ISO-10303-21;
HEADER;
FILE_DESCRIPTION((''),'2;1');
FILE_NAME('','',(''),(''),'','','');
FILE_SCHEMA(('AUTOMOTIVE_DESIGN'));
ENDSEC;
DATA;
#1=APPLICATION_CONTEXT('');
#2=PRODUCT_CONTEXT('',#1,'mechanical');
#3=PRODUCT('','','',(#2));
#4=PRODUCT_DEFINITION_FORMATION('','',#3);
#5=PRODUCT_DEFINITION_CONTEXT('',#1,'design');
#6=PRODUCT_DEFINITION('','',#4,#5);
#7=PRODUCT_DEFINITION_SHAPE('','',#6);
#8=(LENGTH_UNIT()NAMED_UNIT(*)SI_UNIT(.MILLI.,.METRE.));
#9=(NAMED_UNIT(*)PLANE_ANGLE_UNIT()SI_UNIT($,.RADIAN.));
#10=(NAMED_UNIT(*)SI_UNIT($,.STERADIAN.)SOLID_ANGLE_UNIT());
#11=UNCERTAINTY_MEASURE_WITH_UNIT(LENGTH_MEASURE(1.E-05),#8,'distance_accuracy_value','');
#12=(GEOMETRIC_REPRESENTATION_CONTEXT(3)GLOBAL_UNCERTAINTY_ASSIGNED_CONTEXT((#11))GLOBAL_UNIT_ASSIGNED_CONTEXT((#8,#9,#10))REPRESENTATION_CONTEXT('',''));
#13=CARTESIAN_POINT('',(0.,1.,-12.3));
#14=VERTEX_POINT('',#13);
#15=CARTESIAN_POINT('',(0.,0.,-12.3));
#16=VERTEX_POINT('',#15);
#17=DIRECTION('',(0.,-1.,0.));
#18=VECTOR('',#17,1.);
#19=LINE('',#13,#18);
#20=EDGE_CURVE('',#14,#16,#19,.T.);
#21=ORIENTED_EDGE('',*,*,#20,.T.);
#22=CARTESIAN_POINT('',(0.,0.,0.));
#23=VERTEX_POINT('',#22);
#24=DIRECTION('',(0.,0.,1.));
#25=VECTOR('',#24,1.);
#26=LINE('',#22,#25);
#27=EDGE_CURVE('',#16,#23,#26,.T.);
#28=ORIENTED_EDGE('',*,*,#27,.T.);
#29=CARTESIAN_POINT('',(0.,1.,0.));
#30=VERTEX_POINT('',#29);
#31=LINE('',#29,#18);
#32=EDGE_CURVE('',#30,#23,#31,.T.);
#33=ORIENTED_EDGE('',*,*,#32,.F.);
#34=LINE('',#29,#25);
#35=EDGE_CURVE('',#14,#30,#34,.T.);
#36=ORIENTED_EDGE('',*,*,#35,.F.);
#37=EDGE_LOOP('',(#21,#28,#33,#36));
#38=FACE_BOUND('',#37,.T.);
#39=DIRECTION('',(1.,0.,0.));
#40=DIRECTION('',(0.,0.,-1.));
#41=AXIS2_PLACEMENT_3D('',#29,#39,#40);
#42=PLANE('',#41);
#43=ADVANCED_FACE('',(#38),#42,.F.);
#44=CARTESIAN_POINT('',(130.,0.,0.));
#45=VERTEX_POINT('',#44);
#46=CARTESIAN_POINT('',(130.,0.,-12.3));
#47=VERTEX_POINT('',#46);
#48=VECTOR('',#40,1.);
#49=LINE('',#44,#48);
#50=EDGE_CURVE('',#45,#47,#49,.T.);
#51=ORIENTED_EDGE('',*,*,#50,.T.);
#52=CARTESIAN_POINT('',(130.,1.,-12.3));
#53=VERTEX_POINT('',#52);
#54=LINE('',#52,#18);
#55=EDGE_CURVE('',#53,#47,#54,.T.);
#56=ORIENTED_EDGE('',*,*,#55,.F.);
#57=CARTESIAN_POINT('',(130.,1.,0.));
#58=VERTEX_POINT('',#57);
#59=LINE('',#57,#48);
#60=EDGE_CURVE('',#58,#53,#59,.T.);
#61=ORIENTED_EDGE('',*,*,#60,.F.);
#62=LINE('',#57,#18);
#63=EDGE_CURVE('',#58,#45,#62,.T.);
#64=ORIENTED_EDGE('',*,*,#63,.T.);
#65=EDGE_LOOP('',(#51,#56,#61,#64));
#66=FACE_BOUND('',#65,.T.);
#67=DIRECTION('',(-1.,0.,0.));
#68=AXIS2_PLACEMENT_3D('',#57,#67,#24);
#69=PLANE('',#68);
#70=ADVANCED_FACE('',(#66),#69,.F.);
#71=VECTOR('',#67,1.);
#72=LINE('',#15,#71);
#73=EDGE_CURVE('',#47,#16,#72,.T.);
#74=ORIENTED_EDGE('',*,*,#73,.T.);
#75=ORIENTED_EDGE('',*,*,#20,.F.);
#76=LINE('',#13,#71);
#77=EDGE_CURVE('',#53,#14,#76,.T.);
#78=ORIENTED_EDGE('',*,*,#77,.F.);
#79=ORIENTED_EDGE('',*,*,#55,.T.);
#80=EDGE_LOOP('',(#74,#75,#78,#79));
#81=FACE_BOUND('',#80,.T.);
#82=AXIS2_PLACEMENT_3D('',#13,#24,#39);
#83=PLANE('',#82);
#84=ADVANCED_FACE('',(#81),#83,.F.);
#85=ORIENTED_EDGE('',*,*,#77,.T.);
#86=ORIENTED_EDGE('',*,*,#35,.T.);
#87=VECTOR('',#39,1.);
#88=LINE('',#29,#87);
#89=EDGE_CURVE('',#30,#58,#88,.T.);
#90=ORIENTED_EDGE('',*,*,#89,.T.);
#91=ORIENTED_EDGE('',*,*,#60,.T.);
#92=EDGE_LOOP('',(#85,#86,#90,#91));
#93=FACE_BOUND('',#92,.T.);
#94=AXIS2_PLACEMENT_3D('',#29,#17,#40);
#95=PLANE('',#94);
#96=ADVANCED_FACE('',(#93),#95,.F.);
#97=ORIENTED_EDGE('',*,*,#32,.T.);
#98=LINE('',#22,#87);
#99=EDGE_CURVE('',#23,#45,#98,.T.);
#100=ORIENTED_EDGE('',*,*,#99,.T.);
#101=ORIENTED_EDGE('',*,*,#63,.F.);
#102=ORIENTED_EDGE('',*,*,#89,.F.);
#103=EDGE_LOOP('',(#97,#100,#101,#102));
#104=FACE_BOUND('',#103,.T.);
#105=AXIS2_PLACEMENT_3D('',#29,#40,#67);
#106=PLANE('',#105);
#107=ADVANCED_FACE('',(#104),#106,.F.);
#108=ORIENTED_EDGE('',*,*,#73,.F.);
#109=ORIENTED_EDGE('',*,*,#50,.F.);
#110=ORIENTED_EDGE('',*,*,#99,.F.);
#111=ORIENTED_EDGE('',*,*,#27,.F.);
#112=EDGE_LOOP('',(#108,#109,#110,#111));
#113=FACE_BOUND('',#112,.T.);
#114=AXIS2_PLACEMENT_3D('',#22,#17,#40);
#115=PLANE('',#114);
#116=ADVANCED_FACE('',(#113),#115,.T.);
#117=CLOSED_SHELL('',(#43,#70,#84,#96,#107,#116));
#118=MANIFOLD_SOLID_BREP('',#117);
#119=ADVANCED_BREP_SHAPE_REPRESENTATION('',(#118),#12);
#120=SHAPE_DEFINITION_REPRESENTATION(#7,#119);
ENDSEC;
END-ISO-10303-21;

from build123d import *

# Parameters (mm, degrees)
SKETCH1_W           = 130
SKETCH1_H           = 12.3
BOSS_EXTRUDE1_DEPTH = 1


with BuildPart() as part:
    # Sketch1 → Boss-Extrude1 (new body)
    with BuildSketch(Plane(origin=(0, 0, 0), x_dir=(1, 0, 0), z_dir=(0, 1, 0))):
        with Locations((65, 6.15)):
            Rectangle(SKETCH1_W, SKETCH1_H)
    extrude(amount=BOSS_EXTRUDE1_DEPTH)


solid = part.part
